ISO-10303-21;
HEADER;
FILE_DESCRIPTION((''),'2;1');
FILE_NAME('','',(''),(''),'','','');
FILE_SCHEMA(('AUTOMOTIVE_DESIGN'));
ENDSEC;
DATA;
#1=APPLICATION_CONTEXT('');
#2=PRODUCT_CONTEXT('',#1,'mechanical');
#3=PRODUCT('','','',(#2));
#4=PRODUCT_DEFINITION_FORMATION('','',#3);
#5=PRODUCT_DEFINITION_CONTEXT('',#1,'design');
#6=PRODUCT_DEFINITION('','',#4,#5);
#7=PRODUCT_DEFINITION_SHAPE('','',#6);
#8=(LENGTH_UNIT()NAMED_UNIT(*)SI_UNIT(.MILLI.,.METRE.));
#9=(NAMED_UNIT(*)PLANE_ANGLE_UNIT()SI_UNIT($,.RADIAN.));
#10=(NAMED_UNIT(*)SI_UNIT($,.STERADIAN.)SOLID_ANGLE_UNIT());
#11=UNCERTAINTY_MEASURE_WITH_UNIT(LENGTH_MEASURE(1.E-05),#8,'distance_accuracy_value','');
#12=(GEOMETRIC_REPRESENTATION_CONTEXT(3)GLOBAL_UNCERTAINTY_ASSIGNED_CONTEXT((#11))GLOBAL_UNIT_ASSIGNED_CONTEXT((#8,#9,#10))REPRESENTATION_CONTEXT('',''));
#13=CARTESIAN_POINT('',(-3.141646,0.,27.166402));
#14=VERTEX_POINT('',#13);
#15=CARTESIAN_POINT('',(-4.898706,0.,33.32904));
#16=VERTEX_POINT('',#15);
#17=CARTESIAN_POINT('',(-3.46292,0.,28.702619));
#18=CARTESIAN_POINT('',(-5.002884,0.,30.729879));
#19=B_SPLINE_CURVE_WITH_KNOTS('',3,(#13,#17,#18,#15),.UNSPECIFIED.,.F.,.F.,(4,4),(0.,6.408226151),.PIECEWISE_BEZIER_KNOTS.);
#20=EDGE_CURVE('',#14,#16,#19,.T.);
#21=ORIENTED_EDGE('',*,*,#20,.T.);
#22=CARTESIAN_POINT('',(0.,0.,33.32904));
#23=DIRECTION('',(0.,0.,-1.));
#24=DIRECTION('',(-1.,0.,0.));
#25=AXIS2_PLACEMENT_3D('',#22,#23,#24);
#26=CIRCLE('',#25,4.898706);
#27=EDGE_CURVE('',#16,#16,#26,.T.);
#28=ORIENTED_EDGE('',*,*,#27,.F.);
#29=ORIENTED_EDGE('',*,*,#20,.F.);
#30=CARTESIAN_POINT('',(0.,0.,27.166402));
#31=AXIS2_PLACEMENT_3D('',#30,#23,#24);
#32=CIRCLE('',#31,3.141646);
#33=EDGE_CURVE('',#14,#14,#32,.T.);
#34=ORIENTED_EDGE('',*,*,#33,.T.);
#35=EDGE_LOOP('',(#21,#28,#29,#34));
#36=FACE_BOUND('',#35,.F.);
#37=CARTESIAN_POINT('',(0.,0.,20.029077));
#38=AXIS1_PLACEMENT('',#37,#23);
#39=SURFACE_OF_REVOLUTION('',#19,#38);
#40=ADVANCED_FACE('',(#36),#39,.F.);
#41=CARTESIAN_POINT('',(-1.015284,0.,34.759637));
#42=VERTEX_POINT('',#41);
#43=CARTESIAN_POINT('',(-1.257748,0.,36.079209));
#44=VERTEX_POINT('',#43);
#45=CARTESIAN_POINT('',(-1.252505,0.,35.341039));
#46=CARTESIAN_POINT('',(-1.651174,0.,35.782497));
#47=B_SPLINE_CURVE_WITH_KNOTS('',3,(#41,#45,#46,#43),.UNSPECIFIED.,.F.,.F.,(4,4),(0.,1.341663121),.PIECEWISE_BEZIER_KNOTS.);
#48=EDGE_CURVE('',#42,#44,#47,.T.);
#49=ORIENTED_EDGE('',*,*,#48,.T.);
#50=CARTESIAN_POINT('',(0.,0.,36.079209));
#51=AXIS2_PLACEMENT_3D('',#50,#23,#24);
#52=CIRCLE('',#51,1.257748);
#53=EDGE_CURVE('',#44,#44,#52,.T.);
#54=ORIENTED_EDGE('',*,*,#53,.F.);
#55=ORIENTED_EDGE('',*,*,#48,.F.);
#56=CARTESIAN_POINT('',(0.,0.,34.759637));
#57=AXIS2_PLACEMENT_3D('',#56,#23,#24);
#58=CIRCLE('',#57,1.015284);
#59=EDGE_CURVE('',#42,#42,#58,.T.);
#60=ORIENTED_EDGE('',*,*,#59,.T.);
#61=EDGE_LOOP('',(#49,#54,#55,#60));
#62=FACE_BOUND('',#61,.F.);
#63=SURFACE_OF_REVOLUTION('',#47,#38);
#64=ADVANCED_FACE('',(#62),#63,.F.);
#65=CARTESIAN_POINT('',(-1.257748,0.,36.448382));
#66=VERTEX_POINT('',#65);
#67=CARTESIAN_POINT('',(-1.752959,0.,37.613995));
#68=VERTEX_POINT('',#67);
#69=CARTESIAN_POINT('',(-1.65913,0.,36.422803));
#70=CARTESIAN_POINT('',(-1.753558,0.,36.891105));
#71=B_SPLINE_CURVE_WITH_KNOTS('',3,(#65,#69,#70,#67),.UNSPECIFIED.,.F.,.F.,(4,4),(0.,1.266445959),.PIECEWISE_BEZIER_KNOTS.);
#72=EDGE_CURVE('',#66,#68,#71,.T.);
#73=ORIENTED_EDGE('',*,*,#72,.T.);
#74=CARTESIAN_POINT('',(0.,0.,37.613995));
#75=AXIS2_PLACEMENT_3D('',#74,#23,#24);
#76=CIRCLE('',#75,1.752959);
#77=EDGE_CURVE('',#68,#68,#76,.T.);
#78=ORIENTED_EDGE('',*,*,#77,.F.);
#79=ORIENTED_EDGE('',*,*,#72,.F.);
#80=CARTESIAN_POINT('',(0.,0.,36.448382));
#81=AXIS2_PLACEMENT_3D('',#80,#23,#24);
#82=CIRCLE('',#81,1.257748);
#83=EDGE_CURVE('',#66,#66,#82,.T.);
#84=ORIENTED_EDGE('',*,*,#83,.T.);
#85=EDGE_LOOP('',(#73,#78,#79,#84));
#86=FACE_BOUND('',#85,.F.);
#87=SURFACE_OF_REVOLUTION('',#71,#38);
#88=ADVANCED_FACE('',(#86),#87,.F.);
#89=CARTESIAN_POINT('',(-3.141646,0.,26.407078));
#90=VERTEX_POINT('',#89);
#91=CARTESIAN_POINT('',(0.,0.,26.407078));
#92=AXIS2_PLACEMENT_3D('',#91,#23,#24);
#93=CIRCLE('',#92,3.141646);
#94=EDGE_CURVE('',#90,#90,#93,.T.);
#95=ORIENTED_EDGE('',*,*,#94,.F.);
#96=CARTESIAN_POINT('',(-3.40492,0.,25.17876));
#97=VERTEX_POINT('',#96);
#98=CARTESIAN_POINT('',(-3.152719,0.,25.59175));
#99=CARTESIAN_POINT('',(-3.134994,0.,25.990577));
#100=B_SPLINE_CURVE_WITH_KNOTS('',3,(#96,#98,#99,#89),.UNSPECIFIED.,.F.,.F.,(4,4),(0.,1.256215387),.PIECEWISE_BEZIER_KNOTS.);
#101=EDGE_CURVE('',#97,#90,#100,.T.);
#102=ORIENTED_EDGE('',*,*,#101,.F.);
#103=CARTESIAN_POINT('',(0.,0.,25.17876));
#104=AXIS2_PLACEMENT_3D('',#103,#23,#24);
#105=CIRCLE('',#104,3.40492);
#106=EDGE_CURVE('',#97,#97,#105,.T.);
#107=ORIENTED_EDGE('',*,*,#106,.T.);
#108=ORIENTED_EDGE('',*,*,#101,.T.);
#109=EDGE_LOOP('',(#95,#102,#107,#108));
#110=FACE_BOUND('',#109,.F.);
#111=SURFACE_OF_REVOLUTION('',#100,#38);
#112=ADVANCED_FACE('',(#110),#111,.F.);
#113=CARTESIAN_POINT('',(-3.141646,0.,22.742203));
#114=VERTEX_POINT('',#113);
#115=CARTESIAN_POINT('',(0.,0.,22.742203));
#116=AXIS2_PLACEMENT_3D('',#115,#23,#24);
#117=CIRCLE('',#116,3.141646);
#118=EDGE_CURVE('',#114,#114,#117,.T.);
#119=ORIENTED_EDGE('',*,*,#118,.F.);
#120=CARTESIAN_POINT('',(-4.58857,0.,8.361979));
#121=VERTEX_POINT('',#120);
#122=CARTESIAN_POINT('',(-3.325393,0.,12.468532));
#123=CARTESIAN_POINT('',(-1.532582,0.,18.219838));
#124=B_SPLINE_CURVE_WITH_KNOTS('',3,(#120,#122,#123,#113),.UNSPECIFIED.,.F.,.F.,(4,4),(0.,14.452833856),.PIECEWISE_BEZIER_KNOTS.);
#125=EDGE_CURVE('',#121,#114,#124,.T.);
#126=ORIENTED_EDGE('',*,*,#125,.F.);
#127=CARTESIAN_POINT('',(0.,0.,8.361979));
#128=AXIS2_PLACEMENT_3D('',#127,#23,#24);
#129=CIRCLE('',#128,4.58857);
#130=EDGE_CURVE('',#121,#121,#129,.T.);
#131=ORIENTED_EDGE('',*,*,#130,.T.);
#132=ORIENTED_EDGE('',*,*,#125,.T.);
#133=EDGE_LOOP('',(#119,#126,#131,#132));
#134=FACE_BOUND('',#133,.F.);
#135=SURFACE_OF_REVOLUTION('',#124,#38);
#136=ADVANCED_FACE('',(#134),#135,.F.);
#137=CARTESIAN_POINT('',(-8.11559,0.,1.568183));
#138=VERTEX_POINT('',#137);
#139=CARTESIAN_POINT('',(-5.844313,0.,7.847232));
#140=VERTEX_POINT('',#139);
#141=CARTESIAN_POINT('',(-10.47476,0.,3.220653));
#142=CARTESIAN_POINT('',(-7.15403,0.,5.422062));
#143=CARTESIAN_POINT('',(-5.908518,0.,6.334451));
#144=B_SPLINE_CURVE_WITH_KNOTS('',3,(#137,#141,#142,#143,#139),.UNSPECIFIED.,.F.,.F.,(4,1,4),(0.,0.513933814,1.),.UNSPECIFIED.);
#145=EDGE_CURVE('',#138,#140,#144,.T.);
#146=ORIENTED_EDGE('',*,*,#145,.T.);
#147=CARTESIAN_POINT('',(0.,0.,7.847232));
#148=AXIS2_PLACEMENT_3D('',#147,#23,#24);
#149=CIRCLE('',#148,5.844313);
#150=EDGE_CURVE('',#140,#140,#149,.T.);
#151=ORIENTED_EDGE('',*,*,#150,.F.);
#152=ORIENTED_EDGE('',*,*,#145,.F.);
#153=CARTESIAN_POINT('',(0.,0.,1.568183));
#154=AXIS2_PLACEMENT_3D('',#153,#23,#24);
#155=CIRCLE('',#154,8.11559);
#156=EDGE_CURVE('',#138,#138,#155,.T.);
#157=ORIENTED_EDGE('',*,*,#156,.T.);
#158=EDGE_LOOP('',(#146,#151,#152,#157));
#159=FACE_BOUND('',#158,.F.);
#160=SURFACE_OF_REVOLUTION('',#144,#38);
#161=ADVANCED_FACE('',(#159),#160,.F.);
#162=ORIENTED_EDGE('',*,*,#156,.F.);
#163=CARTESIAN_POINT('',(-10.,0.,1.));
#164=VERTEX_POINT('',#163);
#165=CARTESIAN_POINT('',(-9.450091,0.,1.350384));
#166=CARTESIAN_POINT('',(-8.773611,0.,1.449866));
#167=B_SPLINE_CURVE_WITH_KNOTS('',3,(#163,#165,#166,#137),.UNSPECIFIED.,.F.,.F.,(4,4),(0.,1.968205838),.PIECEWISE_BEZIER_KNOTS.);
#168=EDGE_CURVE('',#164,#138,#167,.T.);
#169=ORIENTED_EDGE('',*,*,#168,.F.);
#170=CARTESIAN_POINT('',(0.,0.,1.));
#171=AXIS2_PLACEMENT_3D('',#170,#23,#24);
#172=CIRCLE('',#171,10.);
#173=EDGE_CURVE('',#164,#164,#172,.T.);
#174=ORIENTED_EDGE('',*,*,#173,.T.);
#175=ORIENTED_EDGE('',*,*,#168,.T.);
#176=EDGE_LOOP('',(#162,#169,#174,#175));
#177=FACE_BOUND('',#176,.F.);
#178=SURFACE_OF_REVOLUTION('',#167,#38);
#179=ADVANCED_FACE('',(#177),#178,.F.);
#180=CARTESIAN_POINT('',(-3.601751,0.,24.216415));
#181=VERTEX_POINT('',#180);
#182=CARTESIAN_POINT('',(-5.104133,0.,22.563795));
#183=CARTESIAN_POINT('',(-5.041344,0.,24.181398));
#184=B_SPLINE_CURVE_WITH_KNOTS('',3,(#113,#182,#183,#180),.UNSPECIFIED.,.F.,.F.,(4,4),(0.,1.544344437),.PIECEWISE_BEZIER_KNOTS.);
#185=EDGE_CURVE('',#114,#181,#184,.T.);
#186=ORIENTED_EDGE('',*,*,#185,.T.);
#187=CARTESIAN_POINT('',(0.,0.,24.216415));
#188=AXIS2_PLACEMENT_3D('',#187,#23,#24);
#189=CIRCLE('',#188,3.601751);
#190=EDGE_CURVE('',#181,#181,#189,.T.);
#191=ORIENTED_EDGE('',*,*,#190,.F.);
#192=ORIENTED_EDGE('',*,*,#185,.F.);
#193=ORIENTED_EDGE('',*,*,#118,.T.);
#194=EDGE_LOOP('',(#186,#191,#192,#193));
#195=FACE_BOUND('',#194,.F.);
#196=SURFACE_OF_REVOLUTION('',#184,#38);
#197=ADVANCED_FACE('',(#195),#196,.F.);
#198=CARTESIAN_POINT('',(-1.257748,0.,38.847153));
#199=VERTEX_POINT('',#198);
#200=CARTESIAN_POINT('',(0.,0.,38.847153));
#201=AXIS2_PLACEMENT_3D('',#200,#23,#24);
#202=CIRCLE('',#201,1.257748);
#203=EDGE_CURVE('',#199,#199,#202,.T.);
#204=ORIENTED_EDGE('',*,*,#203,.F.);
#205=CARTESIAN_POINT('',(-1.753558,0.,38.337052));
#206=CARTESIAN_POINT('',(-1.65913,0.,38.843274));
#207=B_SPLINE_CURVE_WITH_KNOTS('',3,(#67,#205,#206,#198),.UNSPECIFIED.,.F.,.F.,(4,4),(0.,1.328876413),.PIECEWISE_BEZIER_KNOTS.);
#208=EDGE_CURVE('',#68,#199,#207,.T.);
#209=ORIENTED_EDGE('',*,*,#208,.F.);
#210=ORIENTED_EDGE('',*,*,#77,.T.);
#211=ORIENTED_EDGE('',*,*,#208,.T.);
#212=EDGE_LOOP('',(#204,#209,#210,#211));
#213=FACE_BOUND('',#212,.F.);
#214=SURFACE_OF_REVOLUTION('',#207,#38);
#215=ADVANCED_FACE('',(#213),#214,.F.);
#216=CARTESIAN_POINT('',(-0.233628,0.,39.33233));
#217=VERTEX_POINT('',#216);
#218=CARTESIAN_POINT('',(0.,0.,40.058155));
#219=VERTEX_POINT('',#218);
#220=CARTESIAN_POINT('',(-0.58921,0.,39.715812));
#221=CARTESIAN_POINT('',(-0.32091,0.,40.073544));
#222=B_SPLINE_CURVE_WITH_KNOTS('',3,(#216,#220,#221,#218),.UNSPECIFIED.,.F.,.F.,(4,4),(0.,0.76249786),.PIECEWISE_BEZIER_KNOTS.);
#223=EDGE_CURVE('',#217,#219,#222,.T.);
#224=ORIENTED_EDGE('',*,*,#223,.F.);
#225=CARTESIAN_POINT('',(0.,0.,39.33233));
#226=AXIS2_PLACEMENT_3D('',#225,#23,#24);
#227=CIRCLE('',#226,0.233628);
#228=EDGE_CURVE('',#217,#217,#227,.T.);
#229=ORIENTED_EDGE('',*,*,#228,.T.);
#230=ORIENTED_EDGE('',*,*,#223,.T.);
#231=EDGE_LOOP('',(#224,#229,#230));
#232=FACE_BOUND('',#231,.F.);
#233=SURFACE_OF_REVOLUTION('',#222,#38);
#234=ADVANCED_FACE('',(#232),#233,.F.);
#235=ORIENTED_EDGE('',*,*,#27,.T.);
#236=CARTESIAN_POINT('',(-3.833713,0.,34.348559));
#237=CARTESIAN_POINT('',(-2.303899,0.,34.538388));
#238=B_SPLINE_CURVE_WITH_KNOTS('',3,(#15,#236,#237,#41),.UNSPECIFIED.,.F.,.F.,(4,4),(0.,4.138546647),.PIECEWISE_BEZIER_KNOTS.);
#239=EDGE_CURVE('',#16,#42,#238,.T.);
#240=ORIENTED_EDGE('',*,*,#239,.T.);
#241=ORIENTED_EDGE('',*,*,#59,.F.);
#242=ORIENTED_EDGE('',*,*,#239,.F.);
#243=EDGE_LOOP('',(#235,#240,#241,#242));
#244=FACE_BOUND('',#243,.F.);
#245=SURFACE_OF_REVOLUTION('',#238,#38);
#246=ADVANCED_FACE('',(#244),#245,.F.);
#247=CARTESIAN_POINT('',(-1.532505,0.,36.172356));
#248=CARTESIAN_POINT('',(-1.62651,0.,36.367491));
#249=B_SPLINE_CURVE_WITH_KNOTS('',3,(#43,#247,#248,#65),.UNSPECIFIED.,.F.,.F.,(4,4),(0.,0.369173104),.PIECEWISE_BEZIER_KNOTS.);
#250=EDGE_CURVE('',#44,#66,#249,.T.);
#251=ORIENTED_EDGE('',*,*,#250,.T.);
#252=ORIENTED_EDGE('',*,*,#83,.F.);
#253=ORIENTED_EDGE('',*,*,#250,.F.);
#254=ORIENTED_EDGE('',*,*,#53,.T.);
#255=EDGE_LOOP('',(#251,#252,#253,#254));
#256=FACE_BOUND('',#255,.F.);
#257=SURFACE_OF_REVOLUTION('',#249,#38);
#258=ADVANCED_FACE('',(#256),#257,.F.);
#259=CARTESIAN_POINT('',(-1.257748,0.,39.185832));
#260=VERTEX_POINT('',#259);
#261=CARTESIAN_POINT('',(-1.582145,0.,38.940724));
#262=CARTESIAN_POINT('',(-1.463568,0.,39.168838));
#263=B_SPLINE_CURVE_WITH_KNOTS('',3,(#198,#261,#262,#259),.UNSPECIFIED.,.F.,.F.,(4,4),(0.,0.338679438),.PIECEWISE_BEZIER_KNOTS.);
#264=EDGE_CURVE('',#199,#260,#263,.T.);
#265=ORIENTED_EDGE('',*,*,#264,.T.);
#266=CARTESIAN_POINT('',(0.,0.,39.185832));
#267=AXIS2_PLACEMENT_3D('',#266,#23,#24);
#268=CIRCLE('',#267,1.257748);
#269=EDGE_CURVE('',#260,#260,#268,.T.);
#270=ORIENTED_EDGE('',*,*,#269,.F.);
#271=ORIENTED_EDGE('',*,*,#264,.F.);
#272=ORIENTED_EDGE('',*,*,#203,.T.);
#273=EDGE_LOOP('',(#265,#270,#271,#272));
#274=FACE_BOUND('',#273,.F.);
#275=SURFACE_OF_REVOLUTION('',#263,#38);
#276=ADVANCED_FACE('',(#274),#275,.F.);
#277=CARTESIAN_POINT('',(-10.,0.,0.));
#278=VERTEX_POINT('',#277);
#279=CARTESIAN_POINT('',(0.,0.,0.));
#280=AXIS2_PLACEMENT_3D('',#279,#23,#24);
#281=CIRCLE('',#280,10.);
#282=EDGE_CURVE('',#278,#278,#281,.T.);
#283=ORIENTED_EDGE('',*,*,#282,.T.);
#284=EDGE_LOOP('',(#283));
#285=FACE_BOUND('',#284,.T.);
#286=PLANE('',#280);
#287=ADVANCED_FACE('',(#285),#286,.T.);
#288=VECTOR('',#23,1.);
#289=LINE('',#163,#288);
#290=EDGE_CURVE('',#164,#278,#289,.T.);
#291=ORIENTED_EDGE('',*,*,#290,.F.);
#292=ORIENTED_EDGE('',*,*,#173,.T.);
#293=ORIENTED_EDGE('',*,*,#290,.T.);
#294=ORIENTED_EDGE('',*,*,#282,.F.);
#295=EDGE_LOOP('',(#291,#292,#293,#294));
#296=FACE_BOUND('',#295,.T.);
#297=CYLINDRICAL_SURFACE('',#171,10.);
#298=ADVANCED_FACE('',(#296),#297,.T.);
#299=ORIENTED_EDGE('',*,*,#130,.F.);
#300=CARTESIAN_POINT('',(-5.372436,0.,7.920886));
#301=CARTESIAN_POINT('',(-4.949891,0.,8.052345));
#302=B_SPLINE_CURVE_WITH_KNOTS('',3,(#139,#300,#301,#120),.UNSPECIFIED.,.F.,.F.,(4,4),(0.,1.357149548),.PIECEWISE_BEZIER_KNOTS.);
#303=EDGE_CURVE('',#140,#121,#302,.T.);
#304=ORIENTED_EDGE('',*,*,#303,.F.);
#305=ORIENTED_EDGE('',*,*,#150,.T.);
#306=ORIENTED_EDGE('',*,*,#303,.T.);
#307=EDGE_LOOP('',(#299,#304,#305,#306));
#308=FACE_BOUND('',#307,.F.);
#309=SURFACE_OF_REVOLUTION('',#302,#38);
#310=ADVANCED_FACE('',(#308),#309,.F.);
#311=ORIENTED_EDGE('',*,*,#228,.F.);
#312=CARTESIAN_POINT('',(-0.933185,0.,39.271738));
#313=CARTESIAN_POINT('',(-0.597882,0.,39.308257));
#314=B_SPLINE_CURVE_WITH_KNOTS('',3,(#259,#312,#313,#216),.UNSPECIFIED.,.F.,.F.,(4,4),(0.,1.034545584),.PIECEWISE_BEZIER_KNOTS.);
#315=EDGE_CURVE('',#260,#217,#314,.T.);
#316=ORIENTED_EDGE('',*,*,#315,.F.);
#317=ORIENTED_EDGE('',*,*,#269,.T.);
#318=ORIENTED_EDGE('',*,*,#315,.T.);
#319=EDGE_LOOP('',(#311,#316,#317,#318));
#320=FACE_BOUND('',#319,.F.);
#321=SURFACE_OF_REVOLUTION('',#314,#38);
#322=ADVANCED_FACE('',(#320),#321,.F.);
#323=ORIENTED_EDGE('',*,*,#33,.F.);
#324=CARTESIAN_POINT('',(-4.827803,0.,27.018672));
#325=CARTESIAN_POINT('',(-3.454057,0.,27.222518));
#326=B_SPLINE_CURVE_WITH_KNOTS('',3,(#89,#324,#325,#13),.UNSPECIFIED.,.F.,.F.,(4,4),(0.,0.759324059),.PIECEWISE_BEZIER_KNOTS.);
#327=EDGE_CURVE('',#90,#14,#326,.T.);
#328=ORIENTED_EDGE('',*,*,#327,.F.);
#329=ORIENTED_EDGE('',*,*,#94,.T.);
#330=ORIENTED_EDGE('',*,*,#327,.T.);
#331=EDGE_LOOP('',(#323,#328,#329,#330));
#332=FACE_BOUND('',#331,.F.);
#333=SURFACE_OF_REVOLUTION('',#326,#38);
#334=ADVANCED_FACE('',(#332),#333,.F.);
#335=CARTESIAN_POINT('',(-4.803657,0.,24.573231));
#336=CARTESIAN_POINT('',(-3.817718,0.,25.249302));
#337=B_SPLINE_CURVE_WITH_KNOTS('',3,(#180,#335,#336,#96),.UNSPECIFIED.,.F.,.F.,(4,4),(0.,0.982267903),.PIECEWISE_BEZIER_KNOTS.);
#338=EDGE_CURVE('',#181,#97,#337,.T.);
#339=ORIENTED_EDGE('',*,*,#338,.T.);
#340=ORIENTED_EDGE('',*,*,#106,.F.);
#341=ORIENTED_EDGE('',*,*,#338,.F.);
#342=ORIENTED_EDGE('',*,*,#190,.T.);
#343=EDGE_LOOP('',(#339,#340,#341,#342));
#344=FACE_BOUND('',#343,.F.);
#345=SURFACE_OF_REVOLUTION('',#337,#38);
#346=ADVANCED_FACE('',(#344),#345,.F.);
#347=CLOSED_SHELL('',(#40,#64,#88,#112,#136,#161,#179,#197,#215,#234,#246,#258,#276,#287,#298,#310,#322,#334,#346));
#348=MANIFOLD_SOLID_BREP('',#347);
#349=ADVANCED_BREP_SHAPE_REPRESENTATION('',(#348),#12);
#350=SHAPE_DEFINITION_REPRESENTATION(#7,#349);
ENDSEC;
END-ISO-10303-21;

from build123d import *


with BuildPart() as f1:
    # F0 (on Front) → F1 (revolve)
    with BuildSketch(Plane.XZ):
        with BuildLine():
            Line((-10, 0), (0, 0))
            Line((0, 0), (0, 40.0581546128))
            add(Edge.make_bspline(
                [(-0.2336277976, 39.3323302269), (-0.5892096087, 39.7158116102), (-0.3209102724, 40.073543787), (0, 40.0581546128)],
                knots=[0, 0, 0, 0, 0.7624978603, 0.7624978603, 0.7624978603, 0.7624978603], degree=3))
            add(Edge.make_bspline(
                [(-1.2577483431, 39.1858321938), (-0.9331846959, 39.2717383802), (-0.5978822592, 39.308257401), (-0.2336277976, 39.3323302269)],
                knots=[0, 0, 0, 0, 1.034545584, 1.034545584, 1.034545584, 1.034545584], degree=3))
            add(Edge.make_bspline(
                [(-1.2577483431, 38.8471527553), (-1.5821445054, 38.9407239854), (-1.4635675838, 39.1688384116), (-1.2577483431, 39.1858321938)],
                knots=[0, 0, 0, 0, 0.3386794385, 0.3386794385, 0.3386794385, 0.3386794385], degree=3))
            add(Edge.make_bspline(
                [(-1.7529589333, 37.6139946181), (-1.7535580341, 38.3370518684), (-1.6591304798, 38.8432735081), (-1.2577483431, 38.8471527553)],
                knots=[0, 0, 0, 0, 1.3288764126, 1.3288764126, 1.3288764126, 1.3288764126], degree=3))
            add(Edge.make_bspline(
                [(-1.2577483431, 36.4483824017), (-1.6591304798, 36.4228033899), (-1.7535580341, 36.891104792), (-1.7529589333, 37.6139946181)],
                knots=[0, 0, 0, 0, 1.2664459593, 1.2664459593, 1.2664459593, 1.2664459593], degree=3))
            add(Edge.make_bspline(
                [(-1.2577483431, 36.0792092979), (-1.5325045465, 36.1723558855), (-1.6265095696, 36.3674908876), (-1.2577483431, 36.4483824017)],
                knots=[0, 0, 0, 0, 0.3691731038, 0.3691731038, 0.3691731038, 0.3691731038], degree=3))
            add(Edge.make_bspline(
                [(-1.0152843315, 34.7596369684), (-1.2525051134, 35.3410393), (-1.6511742724, 35.7824973762), (-1.2577483431, 36.0792092979)],
                knots=[0, 0, 0, 0, 1.3416631208, 1.3416631208, 1.3416631208, 1.3416631208], degree=3))
            add(Edge.make_bspline(
                [(-4.8987055197, 33.3290398121), (-3.8337125443, 34.3485586345), (-2.3038992658, 34.5383882523), (-1.0152843315, 34.7596369684)],
                knots=[0, 0, 0, 0, 4.1385466469, 4.1385466469, 4.1385466469, 4.1385466469], degree=3))
            add(Edge.make_bspline(
                [(-3.1416462734, 27.1664019674), (-3.4629197326, 28.7026185542), (-5.0028837286, 30.7298786938), (-4.8987055197, 33.3290398121)],
                knots=[0, 0, 0, 0, 6.4082261508, 6.4082261508, 6.4082261508, 6.4082261508], degree=3))
            add(Edge.make_bspline(
                [(-3.1416462734, 26.4070779085), (-4.8278025351, 27.0186718553), (-3.4540572669, 27.2225178778), (-3.1416462734, 27.1664019674)],
                knots=[0, 0, 0, 0, 0.7593240589, 0.7593240589, 0.7593240589, 0.7593240589], degree=3))
            add(Edge.make_bspline(
                [(-3.4049197566, 25.1787602901), (-3.152719466, 25.5917496979), (-3.1349938363, 25.9905774146), (-3.1416462734, 26.4070779085)],
                knots=[0, 0, 0, 0, 1.256215387, 1.256215387, 1.256215387, 1.256215387], degree=3))
            add(Edge.make_bspline(
                [(-3.6017508246, 24.2164153606), (-4.8036566004, 24.5732311159), (-3.8177182432, 25.2493023872), (-3.4049197566, 25.1787602901)],
                knots=[0, 0, 0, 0, 0.9822679028, 0.9822679028, 0.9822679028, 0.9822679028], degree=3))
            add(Edge.make_bspline(
                [(-3.1416462734, 22.7422025055), (-5.104132928, 22.5637946278), (-5.0413438585, 24.1813976318), (-3.6017508246, 24.2164153606)],
                knots=[0, 0, 0, 0, 1.544344437, 1.544344437, 1.544344437, 1.544344437], degree=3))
            add(Edge.make_bspline(
                [(-4.5885704458, 8.3619793877), (-3.3253929578, 12.4685317278), (-1.5325816348, 18.2198379189), (-3.1416462734, 22.7422025055)],
                knots=[0, 0, 0, 0, 14.4528338563, 14.4528338563, 14.4528338563, 14.4528338563], degree=3))
            add(Edge.make_bspline(
                [(-5.8443131857, 7.8472318128), (-5.3724357858, 7.9208863899), (-4.9498910084, 8.0523453653), (-4.5885704458, 8.3619793877)],
                knots=[0, 0, 0, 0, 1.3571495476, 1.3571495476, 1.3571495476, 1.3571495476], degree=3))
            add(Edge.make_bspline(
                [(-8.1155896187, 1.5681828372), (-10.4747600853, 3.2206526957), (-7.1540302908, 5.4220621169), (-5.9085176326, 6.3344514929), (-5.8443131857, 7.8472318128)],
                knots=[0, 0, 0, 0, 0.5139338138, 1, 1, 1, 1], degree=3))
            add(Edge.make_bspline(
                [(-10, 1), (-9.4500910491, 1.3503837399), (-8.7736109272, 1.4498661039), (-8.1155896187, 1.5681828372)],
                knots=[0, 0, 0, 0, 1.9682058383, 1.9682058383, 1.9682058383, 1.9682058383], degree=3))
            Line((-10, 1), (-10, 0))
        make_face()
    revolve(axis=Axis((0, 0, 20.0290773064), (0, 0, -1)))


solid = f1.part
